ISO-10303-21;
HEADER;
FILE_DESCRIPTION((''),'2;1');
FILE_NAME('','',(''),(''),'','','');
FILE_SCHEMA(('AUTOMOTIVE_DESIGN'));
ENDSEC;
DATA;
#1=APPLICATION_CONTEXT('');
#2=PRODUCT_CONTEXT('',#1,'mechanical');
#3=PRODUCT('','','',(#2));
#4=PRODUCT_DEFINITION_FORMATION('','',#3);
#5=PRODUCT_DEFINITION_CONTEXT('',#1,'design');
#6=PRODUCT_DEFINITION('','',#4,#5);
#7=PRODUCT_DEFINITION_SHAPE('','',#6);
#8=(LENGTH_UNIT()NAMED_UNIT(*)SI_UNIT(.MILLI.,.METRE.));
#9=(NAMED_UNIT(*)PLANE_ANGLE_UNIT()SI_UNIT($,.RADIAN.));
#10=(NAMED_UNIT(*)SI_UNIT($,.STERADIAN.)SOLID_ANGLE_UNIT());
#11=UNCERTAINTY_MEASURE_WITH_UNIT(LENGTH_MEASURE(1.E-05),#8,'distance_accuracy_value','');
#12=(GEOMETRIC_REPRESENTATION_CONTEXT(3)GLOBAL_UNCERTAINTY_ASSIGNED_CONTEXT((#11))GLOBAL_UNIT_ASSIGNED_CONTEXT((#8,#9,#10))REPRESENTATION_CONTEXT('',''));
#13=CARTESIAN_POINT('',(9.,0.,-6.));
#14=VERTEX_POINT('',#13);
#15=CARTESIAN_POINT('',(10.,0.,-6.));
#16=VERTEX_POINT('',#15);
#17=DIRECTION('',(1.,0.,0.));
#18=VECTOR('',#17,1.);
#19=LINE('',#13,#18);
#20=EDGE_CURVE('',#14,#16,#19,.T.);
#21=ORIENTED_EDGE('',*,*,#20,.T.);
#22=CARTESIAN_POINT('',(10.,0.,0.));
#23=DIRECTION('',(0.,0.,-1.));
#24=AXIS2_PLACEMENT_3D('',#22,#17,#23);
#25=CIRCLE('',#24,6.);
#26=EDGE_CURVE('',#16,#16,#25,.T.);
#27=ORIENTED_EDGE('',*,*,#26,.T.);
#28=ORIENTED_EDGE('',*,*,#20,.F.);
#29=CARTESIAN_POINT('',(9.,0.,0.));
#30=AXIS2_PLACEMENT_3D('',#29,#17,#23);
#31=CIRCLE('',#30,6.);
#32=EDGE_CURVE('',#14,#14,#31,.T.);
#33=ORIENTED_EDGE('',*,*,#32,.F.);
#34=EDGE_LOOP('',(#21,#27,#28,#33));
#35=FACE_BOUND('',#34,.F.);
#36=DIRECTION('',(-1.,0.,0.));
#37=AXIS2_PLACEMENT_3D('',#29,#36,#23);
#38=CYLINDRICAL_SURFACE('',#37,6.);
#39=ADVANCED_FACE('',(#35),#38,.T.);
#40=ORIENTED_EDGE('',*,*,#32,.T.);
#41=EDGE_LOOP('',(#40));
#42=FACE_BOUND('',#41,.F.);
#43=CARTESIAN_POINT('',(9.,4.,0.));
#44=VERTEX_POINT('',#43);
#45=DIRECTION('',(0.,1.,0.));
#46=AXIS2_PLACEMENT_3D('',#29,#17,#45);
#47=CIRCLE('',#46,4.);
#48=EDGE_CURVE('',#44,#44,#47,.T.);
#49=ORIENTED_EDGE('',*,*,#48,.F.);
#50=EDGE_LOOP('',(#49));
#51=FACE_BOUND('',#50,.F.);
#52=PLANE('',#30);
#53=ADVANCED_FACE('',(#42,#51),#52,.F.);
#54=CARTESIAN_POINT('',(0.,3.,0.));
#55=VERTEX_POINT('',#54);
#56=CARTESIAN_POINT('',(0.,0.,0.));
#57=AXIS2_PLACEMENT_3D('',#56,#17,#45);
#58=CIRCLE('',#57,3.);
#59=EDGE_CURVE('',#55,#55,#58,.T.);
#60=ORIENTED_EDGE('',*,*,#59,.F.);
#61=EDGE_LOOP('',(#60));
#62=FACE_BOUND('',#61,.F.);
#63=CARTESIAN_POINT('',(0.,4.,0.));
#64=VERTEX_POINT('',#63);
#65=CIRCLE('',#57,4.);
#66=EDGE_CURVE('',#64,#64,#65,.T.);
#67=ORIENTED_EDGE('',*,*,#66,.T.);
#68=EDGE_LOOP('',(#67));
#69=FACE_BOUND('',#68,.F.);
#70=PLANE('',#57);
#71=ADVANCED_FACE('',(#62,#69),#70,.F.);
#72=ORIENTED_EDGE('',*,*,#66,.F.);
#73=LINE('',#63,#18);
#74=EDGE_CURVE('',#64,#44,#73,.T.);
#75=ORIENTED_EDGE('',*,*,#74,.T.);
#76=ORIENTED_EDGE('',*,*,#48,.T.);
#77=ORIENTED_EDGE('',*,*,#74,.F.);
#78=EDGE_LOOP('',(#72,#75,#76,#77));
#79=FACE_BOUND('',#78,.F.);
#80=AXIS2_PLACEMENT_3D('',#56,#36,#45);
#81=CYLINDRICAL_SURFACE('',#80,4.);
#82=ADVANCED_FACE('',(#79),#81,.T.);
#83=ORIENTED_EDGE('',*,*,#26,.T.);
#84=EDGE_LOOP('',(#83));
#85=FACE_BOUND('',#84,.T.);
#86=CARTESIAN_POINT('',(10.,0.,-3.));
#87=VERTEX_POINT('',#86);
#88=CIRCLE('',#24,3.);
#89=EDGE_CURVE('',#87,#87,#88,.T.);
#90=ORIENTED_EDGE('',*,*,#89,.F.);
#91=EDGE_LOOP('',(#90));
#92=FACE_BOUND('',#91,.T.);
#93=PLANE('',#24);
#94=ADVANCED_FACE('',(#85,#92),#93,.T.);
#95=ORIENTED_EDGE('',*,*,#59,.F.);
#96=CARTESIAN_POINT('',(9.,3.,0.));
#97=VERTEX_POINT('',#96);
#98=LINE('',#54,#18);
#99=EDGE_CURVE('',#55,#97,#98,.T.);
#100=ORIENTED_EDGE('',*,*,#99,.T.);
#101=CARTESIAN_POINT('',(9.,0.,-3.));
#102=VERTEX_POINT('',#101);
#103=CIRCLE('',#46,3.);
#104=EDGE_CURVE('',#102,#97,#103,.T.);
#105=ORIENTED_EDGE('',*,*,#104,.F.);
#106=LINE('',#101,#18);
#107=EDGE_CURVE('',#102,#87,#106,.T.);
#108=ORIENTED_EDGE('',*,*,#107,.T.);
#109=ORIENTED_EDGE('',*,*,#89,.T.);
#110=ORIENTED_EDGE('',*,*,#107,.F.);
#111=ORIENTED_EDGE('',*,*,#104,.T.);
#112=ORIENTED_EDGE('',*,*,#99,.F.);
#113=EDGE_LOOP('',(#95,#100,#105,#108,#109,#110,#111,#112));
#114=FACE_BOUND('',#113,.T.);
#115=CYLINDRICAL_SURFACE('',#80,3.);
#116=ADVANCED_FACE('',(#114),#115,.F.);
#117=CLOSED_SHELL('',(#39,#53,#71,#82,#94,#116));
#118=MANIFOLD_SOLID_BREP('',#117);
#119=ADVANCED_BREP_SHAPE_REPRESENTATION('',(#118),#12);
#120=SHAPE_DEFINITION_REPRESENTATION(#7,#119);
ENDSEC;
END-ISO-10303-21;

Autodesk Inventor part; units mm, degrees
ref_plane "YZ Plane" through (0, 0, 0) normal (1, 0, 0) x (0, 1, 0)
ref_plane "XZ Plane" through (0, 0, 0) normal (0, 1, 0) x (-1, 0, 0)
ref_plane "XY Plane" through (0, 0, 0) normal (0, 0, 1) x (1, 0, 0)
sketch "スケッチ1" plane through (0, 0, 0) normal (1, 0, 0) x (0, 1, 0)
  circle A0 centre (0, 0) radius 3
  circle A1 centre (0, 0) radius 4
  dimension "d0" = 6
  dimension "d1" = 8
extrude "押し出し1" add sketch "スケッチ1" along normal blind 9
sketch "スケッチ2" plane through (9, 0, 0) normal (1, 0, 0) x (0, 0, -1)
  circle A0 centre (0, 0) radius 6
  circle A1 centre (0, 0) radius 3
  dimension "d4" = 12
extrude "押し出し2" add sketch "スケッチ2" along normal blind 1
properties part number "oiles_bush6-10" material "ABS プラスチック"
